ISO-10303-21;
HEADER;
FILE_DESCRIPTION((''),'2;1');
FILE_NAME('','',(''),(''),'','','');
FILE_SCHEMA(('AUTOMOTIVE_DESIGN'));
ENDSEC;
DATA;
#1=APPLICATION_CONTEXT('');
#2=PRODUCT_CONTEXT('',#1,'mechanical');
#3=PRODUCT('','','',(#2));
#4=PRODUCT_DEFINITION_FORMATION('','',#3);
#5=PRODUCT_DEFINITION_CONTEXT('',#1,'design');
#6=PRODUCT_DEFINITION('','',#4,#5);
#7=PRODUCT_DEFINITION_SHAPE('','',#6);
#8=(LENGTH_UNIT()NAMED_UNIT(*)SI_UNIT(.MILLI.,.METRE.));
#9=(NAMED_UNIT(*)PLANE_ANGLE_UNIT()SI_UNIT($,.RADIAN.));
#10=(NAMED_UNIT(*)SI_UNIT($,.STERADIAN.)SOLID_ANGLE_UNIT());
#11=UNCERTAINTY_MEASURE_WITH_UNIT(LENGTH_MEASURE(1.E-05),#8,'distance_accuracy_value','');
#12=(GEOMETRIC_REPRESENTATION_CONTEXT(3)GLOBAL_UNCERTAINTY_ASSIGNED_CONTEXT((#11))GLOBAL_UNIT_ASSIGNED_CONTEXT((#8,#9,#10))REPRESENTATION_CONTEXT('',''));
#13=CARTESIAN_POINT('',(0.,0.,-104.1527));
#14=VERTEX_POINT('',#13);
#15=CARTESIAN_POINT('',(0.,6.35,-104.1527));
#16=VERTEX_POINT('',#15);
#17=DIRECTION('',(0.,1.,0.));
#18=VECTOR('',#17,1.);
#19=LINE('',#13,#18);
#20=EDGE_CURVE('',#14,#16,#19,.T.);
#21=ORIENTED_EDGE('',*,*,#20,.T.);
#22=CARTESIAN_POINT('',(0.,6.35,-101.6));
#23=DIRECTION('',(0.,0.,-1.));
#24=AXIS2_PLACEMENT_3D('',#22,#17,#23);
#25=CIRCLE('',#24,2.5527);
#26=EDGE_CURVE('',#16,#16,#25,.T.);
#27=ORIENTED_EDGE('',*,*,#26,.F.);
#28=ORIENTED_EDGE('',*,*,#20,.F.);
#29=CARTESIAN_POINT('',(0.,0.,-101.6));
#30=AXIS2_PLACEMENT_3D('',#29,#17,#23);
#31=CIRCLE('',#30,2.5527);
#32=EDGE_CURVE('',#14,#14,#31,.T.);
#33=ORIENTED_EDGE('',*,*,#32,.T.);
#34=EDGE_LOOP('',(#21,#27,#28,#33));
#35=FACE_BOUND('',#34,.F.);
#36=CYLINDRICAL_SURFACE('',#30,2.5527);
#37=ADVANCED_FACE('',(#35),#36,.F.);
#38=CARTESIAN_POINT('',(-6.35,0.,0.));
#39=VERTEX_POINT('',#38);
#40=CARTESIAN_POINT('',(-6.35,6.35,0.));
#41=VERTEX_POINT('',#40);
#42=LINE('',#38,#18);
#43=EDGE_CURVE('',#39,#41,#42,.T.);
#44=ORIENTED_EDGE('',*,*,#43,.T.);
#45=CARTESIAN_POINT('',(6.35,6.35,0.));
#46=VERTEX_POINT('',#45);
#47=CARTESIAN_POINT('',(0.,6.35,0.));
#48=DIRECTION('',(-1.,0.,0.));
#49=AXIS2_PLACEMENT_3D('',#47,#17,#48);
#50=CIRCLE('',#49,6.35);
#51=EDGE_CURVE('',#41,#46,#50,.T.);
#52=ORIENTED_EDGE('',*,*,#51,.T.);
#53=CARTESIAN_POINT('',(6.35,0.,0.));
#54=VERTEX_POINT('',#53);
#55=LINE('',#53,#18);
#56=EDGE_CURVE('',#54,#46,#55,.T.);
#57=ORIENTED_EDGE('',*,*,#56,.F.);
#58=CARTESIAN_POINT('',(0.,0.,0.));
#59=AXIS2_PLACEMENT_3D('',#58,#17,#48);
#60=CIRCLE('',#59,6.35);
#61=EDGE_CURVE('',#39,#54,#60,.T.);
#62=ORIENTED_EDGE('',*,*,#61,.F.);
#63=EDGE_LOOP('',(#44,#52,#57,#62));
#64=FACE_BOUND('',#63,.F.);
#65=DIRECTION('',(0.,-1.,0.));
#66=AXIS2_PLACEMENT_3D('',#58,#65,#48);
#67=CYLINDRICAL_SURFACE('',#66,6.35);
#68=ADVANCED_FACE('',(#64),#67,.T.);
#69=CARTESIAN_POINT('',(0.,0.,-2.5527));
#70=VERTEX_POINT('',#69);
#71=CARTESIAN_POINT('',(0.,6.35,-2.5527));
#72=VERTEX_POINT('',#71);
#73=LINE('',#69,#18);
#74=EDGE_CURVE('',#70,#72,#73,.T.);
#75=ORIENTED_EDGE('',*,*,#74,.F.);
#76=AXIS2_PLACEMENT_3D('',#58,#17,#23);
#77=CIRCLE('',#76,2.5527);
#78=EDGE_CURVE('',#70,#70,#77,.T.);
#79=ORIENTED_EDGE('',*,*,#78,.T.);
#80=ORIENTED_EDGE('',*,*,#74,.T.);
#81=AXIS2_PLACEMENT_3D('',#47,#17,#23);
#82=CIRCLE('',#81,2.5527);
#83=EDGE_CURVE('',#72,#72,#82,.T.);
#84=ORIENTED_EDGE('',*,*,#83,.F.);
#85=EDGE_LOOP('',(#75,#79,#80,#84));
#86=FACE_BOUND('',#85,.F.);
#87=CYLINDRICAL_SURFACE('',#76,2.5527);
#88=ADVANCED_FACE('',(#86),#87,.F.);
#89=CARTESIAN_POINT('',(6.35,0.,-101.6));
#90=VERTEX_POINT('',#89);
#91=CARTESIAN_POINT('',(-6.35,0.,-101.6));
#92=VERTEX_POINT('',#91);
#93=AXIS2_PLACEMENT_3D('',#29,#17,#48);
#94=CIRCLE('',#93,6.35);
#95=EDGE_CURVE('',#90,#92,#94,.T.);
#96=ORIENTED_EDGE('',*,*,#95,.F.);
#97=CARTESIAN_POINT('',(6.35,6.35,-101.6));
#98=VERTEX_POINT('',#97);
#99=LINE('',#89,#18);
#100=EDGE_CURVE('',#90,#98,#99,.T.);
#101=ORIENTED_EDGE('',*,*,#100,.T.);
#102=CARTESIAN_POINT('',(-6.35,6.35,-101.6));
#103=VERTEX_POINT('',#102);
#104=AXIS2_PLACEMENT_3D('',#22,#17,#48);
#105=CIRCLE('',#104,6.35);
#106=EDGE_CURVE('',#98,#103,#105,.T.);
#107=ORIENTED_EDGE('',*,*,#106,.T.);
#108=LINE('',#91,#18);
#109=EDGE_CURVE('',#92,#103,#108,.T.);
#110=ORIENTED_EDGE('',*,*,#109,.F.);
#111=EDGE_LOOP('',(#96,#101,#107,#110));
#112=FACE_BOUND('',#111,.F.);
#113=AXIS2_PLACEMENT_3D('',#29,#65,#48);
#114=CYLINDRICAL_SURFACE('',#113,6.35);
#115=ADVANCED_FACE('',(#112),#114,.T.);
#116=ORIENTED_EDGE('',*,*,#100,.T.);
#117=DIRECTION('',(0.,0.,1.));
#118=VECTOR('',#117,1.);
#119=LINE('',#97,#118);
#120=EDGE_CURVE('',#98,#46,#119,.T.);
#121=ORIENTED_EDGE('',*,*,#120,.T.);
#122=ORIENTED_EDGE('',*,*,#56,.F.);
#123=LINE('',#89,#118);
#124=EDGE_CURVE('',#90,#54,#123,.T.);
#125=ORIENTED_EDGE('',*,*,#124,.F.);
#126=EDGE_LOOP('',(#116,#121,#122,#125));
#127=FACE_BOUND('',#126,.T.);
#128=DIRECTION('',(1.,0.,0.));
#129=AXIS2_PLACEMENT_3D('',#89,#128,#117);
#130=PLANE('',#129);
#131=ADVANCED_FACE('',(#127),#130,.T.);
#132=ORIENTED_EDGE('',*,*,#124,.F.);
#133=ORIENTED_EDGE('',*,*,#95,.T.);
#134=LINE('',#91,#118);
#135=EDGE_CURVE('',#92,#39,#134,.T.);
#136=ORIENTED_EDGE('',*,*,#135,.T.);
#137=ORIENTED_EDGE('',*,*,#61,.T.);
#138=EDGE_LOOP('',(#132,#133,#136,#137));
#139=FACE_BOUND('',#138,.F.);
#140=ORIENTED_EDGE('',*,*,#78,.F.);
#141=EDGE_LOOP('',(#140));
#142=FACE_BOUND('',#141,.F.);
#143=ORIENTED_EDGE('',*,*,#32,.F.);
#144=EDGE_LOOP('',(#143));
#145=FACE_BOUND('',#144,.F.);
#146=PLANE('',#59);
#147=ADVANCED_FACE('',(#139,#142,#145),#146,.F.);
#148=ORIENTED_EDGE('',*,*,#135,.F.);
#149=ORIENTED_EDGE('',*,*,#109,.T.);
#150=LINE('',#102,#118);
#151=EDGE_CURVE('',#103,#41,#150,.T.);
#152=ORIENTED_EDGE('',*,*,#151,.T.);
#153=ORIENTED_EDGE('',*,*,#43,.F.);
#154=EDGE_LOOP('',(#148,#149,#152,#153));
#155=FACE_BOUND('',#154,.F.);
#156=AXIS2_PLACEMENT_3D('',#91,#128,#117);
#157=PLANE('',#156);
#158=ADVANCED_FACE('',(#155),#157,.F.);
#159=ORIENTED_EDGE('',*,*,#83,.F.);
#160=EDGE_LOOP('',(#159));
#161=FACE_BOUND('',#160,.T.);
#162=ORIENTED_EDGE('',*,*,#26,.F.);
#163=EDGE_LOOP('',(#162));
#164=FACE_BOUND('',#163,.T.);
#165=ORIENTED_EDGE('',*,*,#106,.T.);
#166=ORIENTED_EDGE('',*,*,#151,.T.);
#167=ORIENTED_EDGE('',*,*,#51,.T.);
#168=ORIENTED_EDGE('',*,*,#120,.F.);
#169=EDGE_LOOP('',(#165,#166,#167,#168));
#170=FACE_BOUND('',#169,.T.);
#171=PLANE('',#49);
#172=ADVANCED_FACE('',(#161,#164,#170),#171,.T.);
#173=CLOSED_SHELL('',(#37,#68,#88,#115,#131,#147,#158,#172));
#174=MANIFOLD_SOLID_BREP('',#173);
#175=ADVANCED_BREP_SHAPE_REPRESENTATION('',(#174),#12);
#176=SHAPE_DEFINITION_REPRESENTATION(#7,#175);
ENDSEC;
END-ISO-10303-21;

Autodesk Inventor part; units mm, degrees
ref_plane "YZ Plane" through (0, 0, 0) normal (1, 0, 0) x (0, 1, 0)
ref_plane "XZ Plane" through (0, 0, 0) normal (0, 1, 0) x (-1, 0, 0)
ref_plane "XY Plane" through (0, 0, 0) normal (0, 0, 1) x (1, 0, 0)
sketch "Sketch1" plane through (0, 0, 0) normal (0, 1, 0) x (-1, 0, 0)
  circle A0 centre (0, 0) radius 6.35
  circle A1 centre (0, -101.6) radius 6.35
  line L0 (0, 0) -> (0, -109.4726) construction
  line L1 (6.35, -101.6) -> (6.35, 0)
  line L2 (-6.35, -101.6) -> (-6.35, 0)
  dimension "d0" = 101.6
  dimension "d1" = 12.7
  dimension "d2" = 12.7
extrude "Extrusion1" add sketch "Sketch1" along normal blind 6.35
hole "Hole1" at (0, 0, 0) at (0, 0, -101.6) direction (0, 1, 0) diameter 5.1054 depth 13.6144 clearance for "Flat Head Machine Screw (82)" size "#10" standard "Ansi Unified Screw Threads"
chamfer "Chamfer1" [suppressed]
properties part number "Main Linkage"
